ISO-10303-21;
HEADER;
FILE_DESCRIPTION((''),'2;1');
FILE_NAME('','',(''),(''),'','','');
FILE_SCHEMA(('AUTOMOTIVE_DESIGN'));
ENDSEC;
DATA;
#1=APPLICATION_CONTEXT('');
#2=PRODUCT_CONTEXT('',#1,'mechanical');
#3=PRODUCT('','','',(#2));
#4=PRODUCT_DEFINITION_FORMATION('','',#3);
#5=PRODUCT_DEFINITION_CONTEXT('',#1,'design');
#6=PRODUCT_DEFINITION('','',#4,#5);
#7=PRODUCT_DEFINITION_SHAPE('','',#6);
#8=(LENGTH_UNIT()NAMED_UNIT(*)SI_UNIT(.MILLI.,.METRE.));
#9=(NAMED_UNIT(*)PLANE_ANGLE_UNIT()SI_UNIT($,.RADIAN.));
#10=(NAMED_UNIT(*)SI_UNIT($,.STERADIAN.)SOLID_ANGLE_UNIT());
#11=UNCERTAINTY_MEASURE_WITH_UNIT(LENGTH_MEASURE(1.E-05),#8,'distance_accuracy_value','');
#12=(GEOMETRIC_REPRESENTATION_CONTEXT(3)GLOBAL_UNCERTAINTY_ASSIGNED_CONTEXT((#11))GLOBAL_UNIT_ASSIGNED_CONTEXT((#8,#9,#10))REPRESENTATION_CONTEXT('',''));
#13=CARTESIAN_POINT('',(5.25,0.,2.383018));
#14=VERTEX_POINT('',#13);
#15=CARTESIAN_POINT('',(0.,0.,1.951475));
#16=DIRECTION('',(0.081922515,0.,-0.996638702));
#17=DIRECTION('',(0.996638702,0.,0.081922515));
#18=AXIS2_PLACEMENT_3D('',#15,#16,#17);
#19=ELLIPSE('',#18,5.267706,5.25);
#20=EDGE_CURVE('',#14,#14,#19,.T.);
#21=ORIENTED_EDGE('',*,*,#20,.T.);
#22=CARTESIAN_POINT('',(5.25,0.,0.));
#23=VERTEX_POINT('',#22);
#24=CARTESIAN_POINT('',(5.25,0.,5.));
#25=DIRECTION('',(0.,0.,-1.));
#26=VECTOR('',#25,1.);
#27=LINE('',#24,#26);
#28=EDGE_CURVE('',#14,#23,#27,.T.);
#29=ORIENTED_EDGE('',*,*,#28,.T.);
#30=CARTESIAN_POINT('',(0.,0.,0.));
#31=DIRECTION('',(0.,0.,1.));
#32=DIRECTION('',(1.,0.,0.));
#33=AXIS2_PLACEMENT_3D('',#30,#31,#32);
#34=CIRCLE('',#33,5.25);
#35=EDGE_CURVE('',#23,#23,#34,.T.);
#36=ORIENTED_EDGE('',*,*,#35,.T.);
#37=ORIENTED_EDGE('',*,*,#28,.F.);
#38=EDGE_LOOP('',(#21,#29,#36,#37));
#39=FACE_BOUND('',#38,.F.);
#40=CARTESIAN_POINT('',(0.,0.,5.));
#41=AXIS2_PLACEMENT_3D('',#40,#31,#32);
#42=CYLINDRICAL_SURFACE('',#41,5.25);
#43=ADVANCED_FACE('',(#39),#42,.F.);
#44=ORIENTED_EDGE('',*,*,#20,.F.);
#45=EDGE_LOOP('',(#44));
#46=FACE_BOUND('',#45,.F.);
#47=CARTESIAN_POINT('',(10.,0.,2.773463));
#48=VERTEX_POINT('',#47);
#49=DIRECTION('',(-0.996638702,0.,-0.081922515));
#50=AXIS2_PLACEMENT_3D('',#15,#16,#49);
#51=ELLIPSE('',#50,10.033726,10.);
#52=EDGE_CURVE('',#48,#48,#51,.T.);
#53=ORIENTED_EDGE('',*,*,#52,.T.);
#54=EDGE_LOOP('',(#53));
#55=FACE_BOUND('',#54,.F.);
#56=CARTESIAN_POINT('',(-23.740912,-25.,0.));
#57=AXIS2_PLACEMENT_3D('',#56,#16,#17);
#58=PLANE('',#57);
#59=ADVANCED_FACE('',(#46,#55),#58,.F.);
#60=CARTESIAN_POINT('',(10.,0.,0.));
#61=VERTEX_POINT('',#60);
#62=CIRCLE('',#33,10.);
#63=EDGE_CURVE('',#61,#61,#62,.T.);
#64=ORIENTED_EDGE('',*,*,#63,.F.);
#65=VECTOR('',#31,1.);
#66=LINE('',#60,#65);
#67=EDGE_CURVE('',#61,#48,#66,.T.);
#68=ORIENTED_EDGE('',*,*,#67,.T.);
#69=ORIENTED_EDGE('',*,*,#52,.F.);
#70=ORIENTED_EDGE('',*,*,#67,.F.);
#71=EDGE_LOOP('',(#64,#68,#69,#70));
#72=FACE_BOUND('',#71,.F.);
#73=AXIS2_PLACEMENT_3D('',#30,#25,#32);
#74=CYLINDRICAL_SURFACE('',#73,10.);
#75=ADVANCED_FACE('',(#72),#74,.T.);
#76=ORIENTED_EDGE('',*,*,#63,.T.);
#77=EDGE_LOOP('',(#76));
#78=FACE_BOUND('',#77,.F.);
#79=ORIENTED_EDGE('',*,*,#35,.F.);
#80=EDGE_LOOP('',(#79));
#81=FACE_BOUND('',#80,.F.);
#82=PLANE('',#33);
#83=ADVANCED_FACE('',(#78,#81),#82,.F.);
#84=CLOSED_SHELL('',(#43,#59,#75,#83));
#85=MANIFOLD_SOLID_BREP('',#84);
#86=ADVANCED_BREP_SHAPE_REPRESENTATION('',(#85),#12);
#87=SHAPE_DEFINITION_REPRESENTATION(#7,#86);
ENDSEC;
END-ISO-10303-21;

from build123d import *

# Parameters (mm, degrees)
F0_R     = 10
F1_DEPTH = 5
F2_R     = 5.25
F3_DEPTH = 5.001
F6_DEPTH = 50


with BuildPart() as f1:
    # F0 (on Top) → F1 (new body)
    with BuildSketch(Plane.XY):
        Circle(F0_R)
    extrude(amount=F1_DEPTH)

    # F2 (on face) → F3 (cut, through all)
    with BuildSketch(Plane.XY.offset(5)):
        Circle(F2_R)
    extrude(amount=-F3_DEPTH, mode=Mode.SUBTRACT)

    # F5 (on offset) → F6 (cut)
    with BuildSketch(Plane.XZ.offset(25)):
        Polygon((-11.632799, 5.720356), (-23.740912, 0), (45.850801, 5.720356), align=None)
    extrude(amount=-F6_DEPTH, mode=Mode.SUBTRACT)


solid = f1.part
